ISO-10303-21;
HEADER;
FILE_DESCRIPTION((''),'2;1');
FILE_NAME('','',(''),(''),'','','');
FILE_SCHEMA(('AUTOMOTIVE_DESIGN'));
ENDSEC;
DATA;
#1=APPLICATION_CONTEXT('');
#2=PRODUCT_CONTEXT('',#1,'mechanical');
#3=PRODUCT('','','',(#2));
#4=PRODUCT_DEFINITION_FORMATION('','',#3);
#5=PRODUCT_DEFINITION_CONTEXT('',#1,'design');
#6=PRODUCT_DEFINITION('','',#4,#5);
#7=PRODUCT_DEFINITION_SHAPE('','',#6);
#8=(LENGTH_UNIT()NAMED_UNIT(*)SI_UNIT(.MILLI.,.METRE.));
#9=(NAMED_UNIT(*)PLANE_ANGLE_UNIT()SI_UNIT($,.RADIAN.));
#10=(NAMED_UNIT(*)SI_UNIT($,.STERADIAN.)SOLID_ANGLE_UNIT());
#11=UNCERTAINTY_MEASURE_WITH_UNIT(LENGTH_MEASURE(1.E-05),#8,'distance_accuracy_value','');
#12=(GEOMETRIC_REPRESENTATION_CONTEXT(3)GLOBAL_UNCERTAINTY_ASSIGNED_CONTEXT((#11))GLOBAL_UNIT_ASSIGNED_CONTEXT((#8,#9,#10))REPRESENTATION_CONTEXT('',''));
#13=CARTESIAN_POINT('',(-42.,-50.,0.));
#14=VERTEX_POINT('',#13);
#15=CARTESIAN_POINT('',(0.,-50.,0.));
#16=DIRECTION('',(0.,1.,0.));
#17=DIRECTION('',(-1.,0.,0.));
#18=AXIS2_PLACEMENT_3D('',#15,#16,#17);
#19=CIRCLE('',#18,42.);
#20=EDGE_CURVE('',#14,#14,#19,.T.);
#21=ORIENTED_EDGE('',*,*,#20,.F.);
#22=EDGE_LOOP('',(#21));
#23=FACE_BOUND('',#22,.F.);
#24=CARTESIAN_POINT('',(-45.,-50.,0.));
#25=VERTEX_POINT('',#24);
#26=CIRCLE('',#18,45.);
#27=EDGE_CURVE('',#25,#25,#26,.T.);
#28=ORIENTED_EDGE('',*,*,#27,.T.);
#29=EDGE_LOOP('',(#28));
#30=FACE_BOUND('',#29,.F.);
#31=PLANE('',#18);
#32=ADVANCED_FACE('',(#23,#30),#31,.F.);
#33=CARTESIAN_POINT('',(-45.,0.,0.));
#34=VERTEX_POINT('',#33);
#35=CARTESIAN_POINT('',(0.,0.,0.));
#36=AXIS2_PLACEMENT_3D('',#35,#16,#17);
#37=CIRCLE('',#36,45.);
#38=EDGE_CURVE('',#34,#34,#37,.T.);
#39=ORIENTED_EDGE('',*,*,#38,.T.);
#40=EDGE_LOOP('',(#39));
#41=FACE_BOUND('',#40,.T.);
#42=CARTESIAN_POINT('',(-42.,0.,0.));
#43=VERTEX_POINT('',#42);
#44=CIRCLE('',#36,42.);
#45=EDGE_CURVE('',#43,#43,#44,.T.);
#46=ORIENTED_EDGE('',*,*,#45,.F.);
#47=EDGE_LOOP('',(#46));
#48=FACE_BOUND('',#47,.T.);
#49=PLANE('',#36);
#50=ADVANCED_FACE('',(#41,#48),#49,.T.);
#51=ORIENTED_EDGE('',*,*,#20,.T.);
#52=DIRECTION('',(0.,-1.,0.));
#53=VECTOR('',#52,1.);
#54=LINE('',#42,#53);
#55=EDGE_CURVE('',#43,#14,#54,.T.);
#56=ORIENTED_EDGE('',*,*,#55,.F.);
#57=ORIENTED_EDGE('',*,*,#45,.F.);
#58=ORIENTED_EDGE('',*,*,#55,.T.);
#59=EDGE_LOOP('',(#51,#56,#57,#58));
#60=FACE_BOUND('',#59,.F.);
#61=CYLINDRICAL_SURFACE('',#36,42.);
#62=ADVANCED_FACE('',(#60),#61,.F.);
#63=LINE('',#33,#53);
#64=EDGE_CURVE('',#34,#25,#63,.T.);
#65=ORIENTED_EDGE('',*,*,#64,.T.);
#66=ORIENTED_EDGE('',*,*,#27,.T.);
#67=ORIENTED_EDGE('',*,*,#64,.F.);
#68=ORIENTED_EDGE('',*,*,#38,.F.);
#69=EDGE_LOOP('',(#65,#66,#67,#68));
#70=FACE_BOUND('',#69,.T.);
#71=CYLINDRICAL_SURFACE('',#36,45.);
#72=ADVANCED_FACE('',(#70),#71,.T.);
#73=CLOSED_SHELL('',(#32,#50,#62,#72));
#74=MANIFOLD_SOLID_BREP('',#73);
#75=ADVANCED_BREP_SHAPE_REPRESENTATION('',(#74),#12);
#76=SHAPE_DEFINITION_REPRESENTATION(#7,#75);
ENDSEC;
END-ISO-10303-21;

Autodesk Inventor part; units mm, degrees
ref_plane "YZ Plane" through (0, 0, 0) normal (1, 0, 0) x (0, 1, 0)
ref_plane "XZ Plane" through (0, 0, 0) normal (0, 1, 0) x (-1, 0, 0)
ref_plane "XY Plane" through (0, 0, 0) normal (0, 0, 1) x (1, 0, 0)
sketch "Sketch1" plane through (0, 0, 0) normal (0, 1, 0) x (-1, 0, 0)
  circle A0 centre (0, 0) radius 45
  circle A1 centre (0, 0) radius 42
  dimension "d0" = 90
  dimension "d1" = 3
extrude "Extrusion1" add sketch "Sketch1" against normal blind 50
properties part number "PRS 1612 FDS tube 2_D940"
